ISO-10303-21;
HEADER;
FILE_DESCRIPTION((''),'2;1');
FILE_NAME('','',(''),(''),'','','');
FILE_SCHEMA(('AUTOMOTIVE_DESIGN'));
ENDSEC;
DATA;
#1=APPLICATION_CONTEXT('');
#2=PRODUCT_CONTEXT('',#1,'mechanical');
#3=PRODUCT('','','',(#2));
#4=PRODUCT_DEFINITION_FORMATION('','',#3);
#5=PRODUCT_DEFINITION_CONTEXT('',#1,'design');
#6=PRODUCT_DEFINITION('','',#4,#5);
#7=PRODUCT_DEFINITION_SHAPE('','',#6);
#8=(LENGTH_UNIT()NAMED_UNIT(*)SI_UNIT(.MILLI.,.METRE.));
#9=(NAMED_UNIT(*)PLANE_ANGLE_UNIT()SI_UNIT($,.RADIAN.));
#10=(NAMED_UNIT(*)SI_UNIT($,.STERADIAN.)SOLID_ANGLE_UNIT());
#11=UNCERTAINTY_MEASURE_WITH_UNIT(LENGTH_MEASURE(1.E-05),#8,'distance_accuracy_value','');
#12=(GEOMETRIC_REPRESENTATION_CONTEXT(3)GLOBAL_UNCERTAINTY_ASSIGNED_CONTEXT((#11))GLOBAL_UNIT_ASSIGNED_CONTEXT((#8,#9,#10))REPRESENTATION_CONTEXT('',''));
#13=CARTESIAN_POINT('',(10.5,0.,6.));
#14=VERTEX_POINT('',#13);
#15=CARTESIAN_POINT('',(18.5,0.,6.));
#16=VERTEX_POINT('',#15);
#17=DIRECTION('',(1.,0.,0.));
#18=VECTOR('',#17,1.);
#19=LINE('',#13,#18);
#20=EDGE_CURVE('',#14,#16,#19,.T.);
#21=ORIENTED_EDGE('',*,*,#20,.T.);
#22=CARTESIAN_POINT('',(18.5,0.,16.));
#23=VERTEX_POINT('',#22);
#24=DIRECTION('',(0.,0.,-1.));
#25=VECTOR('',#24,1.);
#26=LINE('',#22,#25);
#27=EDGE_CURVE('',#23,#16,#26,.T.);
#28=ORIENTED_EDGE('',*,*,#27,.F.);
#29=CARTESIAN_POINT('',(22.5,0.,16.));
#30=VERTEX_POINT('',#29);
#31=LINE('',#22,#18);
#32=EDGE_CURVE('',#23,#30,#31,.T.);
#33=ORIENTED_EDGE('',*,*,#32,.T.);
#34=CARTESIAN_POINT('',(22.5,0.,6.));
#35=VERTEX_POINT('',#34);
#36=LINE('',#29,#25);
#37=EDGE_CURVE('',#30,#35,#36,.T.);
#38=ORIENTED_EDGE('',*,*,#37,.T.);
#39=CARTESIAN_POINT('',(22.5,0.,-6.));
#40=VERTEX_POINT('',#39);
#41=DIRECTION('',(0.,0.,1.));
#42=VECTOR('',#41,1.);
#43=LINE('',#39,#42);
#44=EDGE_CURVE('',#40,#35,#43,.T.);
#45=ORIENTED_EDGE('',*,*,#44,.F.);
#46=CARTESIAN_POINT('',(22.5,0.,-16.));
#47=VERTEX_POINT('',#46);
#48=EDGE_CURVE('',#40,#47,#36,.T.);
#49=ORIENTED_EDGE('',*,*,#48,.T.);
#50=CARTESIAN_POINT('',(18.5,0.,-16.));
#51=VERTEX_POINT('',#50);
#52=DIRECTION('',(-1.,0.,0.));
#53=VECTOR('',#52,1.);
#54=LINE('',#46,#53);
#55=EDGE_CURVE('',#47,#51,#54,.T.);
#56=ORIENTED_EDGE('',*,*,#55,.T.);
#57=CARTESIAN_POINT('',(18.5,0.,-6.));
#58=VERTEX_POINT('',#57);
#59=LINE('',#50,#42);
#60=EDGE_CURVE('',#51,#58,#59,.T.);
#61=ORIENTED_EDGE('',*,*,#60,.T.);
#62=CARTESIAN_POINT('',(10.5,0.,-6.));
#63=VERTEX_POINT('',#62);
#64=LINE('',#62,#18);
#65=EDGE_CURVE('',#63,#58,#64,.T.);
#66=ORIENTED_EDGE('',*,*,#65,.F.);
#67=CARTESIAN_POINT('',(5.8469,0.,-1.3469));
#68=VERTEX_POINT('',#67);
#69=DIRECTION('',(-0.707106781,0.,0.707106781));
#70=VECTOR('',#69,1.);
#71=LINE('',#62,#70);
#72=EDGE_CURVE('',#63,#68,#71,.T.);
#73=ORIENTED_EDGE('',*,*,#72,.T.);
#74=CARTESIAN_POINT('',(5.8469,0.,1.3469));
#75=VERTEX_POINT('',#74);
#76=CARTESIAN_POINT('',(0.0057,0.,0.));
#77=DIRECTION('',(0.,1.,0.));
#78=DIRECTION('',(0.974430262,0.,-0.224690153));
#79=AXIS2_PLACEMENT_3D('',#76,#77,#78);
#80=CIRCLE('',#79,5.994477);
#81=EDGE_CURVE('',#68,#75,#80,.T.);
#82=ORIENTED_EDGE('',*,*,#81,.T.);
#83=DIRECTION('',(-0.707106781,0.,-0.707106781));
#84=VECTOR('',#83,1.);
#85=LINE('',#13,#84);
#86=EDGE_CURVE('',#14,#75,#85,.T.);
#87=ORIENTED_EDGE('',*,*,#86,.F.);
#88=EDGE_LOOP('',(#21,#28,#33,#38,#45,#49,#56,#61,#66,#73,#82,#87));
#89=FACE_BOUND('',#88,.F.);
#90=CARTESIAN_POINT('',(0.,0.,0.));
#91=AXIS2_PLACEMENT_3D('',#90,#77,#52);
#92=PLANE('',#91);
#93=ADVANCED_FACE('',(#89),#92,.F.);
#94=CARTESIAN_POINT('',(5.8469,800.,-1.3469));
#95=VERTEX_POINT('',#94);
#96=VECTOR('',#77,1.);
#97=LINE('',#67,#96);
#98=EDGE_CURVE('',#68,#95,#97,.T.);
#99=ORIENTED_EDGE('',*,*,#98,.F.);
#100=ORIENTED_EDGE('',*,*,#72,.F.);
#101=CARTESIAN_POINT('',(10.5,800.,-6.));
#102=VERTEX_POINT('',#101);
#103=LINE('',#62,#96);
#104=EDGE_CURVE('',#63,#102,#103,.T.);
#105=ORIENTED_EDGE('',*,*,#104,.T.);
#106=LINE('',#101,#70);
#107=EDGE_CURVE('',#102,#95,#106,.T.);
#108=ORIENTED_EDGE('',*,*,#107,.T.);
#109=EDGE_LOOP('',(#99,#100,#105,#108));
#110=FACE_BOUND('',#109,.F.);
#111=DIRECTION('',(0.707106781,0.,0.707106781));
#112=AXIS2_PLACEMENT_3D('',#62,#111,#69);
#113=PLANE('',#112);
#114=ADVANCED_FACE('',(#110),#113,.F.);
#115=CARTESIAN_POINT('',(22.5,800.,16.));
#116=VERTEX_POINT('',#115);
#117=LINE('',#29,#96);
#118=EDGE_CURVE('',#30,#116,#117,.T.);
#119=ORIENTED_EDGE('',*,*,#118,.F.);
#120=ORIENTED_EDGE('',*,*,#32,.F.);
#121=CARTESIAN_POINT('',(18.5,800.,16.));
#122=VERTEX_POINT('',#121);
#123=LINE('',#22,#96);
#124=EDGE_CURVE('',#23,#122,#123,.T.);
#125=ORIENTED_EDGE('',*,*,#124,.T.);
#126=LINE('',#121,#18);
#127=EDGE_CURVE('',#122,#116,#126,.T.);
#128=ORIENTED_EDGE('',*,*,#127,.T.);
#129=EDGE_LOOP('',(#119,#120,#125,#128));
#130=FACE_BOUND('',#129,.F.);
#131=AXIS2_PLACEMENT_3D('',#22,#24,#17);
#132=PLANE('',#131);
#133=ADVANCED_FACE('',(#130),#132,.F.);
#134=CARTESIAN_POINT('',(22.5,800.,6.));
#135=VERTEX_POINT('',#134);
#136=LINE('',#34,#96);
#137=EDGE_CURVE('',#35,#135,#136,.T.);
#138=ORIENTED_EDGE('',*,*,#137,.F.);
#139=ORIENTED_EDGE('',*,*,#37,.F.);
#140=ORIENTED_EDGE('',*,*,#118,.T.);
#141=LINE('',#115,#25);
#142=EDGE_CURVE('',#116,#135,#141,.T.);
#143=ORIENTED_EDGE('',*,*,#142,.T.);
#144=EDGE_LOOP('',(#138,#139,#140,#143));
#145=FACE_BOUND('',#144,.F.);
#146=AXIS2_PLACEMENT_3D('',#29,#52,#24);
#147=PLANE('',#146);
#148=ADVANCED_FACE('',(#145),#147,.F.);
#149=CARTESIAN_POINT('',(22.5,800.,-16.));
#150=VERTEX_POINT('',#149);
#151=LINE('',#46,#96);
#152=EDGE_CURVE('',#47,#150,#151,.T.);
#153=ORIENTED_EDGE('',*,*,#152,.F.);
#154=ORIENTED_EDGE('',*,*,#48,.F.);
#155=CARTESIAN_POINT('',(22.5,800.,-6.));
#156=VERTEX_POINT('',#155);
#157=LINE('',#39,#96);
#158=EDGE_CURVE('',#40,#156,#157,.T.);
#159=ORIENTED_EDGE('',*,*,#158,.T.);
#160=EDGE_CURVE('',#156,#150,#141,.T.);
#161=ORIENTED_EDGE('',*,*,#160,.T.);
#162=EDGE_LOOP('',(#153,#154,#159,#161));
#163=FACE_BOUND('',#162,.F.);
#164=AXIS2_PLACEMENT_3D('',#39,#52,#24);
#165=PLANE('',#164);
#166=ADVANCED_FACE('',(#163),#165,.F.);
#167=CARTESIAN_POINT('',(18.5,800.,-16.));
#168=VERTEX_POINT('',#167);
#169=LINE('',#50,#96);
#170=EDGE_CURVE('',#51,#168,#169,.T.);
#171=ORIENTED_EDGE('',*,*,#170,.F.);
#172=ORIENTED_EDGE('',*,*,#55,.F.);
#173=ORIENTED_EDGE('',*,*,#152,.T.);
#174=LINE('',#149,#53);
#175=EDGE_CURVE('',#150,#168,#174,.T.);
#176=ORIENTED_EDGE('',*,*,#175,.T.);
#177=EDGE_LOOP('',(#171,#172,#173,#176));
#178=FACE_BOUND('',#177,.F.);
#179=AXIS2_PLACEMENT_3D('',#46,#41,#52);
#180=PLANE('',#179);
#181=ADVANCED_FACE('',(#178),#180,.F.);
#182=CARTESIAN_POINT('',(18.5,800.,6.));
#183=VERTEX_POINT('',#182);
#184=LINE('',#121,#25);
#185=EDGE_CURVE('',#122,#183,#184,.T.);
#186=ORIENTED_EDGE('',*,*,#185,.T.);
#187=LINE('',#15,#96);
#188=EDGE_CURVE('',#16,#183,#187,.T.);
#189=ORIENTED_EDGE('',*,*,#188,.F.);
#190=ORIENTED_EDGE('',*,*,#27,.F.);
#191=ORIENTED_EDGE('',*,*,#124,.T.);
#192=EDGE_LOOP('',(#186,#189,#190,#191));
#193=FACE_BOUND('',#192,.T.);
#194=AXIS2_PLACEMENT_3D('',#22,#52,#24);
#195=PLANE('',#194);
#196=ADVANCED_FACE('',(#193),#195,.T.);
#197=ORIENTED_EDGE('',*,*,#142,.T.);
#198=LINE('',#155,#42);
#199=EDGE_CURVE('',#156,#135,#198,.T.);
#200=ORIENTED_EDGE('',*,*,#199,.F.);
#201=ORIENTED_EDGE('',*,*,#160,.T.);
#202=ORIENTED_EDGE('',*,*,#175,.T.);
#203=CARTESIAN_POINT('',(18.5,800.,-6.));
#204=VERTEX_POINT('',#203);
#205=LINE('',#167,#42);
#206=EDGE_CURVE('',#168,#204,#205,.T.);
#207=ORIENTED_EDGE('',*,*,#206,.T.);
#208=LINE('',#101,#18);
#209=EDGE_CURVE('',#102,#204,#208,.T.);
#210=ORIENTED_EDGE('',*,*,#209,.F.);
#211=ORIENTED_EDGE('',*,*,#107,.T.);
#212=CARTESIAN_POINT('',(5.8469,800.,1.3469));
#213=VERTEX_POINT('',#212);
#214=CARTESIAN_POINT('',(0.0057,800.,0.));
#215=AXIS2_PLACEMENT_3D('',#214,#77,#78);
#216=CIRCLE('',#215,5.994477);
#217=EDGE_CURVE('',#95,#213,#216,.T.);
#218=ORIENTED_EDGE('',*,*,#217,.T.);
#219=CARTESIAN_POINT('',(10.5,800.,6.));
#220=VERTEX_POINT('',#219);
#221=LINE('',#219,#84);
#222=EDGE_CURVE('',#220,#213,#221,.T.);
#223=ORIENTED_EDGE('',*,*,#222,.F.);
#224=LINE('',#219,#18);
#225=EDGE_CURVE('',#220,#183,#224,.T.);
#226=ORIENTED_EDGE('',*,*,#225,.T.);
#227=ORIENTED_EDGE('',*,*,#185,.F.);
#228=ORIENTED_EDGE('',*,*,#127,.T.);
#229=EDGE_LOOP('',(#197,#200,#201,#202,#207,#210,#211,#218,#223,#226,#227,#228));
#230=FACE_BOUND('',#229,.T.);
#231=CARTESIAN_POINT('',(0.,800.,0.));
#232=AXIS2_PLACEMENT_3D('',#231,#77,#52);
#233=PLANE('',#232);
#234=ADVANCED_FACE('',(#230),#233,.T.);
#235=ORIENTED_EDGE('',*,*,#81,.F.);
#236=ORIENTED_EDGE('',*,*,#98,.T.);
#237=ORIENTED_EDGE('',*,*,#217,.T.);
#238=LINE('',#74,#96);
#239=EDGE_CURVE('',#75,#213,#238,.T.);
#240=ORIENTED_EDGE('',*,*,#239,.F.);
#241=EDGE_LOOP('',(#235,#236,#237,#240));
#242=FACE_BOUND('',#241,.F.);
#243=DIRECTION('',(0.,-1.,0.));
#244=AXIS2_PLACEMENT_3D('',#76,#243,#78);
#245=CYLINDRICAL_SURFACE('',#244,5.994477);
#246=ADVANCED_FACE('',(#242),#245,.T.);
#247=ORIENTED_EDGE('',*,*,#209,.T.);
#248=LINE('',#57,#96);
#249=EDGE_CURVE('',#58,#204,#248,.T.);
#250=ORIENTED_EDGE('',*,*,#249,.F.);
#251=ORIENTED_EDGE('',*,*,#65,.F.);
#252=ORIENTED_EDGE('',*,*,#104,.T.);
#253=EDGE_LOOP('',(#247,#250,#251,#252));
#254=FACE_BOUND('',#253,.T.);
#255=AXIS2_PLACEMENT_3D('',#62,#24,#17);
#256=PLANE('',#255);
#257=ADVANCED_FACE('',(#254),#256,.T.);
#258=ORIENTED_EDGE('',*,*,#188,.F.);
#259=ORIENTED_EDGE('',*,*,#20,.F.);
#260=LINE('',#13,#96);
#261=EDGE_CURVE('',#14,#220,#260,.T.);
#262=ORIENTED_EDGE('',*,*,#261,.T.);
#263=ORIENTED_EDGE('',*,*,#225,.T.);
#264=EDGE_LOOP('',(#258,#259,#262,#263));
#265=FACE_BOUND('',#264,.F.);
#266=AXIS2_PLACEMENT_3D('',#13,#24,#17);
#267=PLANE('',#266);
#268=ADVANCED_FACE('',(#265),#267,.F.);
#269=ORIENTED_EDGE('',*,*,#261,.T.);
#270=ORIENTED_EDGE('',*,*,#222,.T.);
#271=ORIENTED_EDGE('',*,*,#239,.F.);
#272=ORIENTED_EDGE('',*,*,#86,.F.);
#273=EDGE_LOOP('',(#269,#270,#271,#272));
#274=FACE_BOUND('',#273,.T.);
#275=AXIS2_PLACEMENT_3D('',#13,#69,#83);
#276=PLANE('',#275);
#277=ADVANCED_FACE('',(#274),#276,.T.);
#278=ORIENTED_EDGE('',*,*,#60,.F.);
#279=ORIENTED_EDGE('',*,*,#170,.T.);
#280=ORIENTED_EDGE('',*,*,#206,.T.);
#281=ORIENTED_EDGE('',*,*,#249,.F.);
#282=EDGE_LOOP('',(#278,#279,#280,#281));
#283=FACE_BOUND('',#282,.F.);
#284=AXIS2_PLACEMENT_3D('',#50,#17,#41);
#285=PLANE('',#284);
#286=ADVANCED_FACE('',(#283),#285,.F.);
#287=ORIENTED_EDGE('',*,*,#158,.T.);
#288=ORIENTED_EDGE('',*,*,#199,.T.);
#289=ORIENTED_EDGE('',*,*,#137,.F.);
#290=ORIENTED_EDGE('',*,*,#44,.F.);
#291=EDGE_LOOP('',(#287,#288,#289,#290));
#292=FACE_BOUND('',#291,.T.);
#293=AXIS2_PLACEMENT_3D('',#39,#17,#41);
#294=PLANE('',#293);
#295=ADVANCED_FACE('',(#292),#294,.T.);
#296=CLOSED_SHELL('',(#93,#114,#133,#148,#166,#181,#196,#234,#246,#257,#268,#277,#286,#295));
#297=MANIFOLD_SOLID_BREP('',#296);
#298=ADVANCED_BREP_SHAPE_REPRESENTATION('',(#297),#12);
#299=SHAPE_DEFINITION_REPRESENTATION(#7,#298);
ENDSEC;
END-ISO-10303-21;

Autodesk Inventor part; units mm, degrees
ref_plane "YZ Plane" through (0, 0, 0) normal (1, 0, 0) x (0, 1, 0)
ref_plane "XZ Plane" through (0, 0, 0) normal (0, 1, 0) x (-1, 0, 0)
ref_plane "XY Plane" through (0, 0, 0) normal (0, 0, 1) x (1, 0, 0)
sketch "Sketch1" plane through (0, 0, 0) normal (0, 1, 0) x (-1, 0, 0)
  line L0 (-22.5, -6) -> (-22.5, 6)
  line L1 (-10.5, -6) -> (-5.8469, -1.3469)
  line L2 (-10.5, -6) -> (-3.9195, -6) construction
  line L3 (-10.5, 6) -> (-5.8469, 1.3469)
  arc A0 (-5.8469, -1.3469) -> (-5.8469, 1.3469) centre (-0.0057, 0) ccw
  line L4 (-22.5, 16) -> (-22.5, -16)
  line L5 (-22.5, -16) -> (-18.5, -16)
  line L6 (-18.5, 16) -> (-22.5, 16)
  line L7 (-18.5, -16) -> (-18.5, -6)
  line L8 (-18.5, 16) -> (-18.5, 6)
  line L9 (-10.5, 6) -> (-18.5, 6)
  line L10 (-10.5, -6) -> (-18.5, -6)
  point P0 (0, 0)
  dimension "d2" = 12
  dimension "d3" = 45
  dimension "d4" = 12
  dimension "d6" = 5.9944
  dimension "d7" = 32
  dimension "d8" = 4
  dimension "d10" = 0
extrude "Extrusion1" add sketch "Sketch1" along normal blind 800
properties part number "supportedRail_SBR12_800mm"
